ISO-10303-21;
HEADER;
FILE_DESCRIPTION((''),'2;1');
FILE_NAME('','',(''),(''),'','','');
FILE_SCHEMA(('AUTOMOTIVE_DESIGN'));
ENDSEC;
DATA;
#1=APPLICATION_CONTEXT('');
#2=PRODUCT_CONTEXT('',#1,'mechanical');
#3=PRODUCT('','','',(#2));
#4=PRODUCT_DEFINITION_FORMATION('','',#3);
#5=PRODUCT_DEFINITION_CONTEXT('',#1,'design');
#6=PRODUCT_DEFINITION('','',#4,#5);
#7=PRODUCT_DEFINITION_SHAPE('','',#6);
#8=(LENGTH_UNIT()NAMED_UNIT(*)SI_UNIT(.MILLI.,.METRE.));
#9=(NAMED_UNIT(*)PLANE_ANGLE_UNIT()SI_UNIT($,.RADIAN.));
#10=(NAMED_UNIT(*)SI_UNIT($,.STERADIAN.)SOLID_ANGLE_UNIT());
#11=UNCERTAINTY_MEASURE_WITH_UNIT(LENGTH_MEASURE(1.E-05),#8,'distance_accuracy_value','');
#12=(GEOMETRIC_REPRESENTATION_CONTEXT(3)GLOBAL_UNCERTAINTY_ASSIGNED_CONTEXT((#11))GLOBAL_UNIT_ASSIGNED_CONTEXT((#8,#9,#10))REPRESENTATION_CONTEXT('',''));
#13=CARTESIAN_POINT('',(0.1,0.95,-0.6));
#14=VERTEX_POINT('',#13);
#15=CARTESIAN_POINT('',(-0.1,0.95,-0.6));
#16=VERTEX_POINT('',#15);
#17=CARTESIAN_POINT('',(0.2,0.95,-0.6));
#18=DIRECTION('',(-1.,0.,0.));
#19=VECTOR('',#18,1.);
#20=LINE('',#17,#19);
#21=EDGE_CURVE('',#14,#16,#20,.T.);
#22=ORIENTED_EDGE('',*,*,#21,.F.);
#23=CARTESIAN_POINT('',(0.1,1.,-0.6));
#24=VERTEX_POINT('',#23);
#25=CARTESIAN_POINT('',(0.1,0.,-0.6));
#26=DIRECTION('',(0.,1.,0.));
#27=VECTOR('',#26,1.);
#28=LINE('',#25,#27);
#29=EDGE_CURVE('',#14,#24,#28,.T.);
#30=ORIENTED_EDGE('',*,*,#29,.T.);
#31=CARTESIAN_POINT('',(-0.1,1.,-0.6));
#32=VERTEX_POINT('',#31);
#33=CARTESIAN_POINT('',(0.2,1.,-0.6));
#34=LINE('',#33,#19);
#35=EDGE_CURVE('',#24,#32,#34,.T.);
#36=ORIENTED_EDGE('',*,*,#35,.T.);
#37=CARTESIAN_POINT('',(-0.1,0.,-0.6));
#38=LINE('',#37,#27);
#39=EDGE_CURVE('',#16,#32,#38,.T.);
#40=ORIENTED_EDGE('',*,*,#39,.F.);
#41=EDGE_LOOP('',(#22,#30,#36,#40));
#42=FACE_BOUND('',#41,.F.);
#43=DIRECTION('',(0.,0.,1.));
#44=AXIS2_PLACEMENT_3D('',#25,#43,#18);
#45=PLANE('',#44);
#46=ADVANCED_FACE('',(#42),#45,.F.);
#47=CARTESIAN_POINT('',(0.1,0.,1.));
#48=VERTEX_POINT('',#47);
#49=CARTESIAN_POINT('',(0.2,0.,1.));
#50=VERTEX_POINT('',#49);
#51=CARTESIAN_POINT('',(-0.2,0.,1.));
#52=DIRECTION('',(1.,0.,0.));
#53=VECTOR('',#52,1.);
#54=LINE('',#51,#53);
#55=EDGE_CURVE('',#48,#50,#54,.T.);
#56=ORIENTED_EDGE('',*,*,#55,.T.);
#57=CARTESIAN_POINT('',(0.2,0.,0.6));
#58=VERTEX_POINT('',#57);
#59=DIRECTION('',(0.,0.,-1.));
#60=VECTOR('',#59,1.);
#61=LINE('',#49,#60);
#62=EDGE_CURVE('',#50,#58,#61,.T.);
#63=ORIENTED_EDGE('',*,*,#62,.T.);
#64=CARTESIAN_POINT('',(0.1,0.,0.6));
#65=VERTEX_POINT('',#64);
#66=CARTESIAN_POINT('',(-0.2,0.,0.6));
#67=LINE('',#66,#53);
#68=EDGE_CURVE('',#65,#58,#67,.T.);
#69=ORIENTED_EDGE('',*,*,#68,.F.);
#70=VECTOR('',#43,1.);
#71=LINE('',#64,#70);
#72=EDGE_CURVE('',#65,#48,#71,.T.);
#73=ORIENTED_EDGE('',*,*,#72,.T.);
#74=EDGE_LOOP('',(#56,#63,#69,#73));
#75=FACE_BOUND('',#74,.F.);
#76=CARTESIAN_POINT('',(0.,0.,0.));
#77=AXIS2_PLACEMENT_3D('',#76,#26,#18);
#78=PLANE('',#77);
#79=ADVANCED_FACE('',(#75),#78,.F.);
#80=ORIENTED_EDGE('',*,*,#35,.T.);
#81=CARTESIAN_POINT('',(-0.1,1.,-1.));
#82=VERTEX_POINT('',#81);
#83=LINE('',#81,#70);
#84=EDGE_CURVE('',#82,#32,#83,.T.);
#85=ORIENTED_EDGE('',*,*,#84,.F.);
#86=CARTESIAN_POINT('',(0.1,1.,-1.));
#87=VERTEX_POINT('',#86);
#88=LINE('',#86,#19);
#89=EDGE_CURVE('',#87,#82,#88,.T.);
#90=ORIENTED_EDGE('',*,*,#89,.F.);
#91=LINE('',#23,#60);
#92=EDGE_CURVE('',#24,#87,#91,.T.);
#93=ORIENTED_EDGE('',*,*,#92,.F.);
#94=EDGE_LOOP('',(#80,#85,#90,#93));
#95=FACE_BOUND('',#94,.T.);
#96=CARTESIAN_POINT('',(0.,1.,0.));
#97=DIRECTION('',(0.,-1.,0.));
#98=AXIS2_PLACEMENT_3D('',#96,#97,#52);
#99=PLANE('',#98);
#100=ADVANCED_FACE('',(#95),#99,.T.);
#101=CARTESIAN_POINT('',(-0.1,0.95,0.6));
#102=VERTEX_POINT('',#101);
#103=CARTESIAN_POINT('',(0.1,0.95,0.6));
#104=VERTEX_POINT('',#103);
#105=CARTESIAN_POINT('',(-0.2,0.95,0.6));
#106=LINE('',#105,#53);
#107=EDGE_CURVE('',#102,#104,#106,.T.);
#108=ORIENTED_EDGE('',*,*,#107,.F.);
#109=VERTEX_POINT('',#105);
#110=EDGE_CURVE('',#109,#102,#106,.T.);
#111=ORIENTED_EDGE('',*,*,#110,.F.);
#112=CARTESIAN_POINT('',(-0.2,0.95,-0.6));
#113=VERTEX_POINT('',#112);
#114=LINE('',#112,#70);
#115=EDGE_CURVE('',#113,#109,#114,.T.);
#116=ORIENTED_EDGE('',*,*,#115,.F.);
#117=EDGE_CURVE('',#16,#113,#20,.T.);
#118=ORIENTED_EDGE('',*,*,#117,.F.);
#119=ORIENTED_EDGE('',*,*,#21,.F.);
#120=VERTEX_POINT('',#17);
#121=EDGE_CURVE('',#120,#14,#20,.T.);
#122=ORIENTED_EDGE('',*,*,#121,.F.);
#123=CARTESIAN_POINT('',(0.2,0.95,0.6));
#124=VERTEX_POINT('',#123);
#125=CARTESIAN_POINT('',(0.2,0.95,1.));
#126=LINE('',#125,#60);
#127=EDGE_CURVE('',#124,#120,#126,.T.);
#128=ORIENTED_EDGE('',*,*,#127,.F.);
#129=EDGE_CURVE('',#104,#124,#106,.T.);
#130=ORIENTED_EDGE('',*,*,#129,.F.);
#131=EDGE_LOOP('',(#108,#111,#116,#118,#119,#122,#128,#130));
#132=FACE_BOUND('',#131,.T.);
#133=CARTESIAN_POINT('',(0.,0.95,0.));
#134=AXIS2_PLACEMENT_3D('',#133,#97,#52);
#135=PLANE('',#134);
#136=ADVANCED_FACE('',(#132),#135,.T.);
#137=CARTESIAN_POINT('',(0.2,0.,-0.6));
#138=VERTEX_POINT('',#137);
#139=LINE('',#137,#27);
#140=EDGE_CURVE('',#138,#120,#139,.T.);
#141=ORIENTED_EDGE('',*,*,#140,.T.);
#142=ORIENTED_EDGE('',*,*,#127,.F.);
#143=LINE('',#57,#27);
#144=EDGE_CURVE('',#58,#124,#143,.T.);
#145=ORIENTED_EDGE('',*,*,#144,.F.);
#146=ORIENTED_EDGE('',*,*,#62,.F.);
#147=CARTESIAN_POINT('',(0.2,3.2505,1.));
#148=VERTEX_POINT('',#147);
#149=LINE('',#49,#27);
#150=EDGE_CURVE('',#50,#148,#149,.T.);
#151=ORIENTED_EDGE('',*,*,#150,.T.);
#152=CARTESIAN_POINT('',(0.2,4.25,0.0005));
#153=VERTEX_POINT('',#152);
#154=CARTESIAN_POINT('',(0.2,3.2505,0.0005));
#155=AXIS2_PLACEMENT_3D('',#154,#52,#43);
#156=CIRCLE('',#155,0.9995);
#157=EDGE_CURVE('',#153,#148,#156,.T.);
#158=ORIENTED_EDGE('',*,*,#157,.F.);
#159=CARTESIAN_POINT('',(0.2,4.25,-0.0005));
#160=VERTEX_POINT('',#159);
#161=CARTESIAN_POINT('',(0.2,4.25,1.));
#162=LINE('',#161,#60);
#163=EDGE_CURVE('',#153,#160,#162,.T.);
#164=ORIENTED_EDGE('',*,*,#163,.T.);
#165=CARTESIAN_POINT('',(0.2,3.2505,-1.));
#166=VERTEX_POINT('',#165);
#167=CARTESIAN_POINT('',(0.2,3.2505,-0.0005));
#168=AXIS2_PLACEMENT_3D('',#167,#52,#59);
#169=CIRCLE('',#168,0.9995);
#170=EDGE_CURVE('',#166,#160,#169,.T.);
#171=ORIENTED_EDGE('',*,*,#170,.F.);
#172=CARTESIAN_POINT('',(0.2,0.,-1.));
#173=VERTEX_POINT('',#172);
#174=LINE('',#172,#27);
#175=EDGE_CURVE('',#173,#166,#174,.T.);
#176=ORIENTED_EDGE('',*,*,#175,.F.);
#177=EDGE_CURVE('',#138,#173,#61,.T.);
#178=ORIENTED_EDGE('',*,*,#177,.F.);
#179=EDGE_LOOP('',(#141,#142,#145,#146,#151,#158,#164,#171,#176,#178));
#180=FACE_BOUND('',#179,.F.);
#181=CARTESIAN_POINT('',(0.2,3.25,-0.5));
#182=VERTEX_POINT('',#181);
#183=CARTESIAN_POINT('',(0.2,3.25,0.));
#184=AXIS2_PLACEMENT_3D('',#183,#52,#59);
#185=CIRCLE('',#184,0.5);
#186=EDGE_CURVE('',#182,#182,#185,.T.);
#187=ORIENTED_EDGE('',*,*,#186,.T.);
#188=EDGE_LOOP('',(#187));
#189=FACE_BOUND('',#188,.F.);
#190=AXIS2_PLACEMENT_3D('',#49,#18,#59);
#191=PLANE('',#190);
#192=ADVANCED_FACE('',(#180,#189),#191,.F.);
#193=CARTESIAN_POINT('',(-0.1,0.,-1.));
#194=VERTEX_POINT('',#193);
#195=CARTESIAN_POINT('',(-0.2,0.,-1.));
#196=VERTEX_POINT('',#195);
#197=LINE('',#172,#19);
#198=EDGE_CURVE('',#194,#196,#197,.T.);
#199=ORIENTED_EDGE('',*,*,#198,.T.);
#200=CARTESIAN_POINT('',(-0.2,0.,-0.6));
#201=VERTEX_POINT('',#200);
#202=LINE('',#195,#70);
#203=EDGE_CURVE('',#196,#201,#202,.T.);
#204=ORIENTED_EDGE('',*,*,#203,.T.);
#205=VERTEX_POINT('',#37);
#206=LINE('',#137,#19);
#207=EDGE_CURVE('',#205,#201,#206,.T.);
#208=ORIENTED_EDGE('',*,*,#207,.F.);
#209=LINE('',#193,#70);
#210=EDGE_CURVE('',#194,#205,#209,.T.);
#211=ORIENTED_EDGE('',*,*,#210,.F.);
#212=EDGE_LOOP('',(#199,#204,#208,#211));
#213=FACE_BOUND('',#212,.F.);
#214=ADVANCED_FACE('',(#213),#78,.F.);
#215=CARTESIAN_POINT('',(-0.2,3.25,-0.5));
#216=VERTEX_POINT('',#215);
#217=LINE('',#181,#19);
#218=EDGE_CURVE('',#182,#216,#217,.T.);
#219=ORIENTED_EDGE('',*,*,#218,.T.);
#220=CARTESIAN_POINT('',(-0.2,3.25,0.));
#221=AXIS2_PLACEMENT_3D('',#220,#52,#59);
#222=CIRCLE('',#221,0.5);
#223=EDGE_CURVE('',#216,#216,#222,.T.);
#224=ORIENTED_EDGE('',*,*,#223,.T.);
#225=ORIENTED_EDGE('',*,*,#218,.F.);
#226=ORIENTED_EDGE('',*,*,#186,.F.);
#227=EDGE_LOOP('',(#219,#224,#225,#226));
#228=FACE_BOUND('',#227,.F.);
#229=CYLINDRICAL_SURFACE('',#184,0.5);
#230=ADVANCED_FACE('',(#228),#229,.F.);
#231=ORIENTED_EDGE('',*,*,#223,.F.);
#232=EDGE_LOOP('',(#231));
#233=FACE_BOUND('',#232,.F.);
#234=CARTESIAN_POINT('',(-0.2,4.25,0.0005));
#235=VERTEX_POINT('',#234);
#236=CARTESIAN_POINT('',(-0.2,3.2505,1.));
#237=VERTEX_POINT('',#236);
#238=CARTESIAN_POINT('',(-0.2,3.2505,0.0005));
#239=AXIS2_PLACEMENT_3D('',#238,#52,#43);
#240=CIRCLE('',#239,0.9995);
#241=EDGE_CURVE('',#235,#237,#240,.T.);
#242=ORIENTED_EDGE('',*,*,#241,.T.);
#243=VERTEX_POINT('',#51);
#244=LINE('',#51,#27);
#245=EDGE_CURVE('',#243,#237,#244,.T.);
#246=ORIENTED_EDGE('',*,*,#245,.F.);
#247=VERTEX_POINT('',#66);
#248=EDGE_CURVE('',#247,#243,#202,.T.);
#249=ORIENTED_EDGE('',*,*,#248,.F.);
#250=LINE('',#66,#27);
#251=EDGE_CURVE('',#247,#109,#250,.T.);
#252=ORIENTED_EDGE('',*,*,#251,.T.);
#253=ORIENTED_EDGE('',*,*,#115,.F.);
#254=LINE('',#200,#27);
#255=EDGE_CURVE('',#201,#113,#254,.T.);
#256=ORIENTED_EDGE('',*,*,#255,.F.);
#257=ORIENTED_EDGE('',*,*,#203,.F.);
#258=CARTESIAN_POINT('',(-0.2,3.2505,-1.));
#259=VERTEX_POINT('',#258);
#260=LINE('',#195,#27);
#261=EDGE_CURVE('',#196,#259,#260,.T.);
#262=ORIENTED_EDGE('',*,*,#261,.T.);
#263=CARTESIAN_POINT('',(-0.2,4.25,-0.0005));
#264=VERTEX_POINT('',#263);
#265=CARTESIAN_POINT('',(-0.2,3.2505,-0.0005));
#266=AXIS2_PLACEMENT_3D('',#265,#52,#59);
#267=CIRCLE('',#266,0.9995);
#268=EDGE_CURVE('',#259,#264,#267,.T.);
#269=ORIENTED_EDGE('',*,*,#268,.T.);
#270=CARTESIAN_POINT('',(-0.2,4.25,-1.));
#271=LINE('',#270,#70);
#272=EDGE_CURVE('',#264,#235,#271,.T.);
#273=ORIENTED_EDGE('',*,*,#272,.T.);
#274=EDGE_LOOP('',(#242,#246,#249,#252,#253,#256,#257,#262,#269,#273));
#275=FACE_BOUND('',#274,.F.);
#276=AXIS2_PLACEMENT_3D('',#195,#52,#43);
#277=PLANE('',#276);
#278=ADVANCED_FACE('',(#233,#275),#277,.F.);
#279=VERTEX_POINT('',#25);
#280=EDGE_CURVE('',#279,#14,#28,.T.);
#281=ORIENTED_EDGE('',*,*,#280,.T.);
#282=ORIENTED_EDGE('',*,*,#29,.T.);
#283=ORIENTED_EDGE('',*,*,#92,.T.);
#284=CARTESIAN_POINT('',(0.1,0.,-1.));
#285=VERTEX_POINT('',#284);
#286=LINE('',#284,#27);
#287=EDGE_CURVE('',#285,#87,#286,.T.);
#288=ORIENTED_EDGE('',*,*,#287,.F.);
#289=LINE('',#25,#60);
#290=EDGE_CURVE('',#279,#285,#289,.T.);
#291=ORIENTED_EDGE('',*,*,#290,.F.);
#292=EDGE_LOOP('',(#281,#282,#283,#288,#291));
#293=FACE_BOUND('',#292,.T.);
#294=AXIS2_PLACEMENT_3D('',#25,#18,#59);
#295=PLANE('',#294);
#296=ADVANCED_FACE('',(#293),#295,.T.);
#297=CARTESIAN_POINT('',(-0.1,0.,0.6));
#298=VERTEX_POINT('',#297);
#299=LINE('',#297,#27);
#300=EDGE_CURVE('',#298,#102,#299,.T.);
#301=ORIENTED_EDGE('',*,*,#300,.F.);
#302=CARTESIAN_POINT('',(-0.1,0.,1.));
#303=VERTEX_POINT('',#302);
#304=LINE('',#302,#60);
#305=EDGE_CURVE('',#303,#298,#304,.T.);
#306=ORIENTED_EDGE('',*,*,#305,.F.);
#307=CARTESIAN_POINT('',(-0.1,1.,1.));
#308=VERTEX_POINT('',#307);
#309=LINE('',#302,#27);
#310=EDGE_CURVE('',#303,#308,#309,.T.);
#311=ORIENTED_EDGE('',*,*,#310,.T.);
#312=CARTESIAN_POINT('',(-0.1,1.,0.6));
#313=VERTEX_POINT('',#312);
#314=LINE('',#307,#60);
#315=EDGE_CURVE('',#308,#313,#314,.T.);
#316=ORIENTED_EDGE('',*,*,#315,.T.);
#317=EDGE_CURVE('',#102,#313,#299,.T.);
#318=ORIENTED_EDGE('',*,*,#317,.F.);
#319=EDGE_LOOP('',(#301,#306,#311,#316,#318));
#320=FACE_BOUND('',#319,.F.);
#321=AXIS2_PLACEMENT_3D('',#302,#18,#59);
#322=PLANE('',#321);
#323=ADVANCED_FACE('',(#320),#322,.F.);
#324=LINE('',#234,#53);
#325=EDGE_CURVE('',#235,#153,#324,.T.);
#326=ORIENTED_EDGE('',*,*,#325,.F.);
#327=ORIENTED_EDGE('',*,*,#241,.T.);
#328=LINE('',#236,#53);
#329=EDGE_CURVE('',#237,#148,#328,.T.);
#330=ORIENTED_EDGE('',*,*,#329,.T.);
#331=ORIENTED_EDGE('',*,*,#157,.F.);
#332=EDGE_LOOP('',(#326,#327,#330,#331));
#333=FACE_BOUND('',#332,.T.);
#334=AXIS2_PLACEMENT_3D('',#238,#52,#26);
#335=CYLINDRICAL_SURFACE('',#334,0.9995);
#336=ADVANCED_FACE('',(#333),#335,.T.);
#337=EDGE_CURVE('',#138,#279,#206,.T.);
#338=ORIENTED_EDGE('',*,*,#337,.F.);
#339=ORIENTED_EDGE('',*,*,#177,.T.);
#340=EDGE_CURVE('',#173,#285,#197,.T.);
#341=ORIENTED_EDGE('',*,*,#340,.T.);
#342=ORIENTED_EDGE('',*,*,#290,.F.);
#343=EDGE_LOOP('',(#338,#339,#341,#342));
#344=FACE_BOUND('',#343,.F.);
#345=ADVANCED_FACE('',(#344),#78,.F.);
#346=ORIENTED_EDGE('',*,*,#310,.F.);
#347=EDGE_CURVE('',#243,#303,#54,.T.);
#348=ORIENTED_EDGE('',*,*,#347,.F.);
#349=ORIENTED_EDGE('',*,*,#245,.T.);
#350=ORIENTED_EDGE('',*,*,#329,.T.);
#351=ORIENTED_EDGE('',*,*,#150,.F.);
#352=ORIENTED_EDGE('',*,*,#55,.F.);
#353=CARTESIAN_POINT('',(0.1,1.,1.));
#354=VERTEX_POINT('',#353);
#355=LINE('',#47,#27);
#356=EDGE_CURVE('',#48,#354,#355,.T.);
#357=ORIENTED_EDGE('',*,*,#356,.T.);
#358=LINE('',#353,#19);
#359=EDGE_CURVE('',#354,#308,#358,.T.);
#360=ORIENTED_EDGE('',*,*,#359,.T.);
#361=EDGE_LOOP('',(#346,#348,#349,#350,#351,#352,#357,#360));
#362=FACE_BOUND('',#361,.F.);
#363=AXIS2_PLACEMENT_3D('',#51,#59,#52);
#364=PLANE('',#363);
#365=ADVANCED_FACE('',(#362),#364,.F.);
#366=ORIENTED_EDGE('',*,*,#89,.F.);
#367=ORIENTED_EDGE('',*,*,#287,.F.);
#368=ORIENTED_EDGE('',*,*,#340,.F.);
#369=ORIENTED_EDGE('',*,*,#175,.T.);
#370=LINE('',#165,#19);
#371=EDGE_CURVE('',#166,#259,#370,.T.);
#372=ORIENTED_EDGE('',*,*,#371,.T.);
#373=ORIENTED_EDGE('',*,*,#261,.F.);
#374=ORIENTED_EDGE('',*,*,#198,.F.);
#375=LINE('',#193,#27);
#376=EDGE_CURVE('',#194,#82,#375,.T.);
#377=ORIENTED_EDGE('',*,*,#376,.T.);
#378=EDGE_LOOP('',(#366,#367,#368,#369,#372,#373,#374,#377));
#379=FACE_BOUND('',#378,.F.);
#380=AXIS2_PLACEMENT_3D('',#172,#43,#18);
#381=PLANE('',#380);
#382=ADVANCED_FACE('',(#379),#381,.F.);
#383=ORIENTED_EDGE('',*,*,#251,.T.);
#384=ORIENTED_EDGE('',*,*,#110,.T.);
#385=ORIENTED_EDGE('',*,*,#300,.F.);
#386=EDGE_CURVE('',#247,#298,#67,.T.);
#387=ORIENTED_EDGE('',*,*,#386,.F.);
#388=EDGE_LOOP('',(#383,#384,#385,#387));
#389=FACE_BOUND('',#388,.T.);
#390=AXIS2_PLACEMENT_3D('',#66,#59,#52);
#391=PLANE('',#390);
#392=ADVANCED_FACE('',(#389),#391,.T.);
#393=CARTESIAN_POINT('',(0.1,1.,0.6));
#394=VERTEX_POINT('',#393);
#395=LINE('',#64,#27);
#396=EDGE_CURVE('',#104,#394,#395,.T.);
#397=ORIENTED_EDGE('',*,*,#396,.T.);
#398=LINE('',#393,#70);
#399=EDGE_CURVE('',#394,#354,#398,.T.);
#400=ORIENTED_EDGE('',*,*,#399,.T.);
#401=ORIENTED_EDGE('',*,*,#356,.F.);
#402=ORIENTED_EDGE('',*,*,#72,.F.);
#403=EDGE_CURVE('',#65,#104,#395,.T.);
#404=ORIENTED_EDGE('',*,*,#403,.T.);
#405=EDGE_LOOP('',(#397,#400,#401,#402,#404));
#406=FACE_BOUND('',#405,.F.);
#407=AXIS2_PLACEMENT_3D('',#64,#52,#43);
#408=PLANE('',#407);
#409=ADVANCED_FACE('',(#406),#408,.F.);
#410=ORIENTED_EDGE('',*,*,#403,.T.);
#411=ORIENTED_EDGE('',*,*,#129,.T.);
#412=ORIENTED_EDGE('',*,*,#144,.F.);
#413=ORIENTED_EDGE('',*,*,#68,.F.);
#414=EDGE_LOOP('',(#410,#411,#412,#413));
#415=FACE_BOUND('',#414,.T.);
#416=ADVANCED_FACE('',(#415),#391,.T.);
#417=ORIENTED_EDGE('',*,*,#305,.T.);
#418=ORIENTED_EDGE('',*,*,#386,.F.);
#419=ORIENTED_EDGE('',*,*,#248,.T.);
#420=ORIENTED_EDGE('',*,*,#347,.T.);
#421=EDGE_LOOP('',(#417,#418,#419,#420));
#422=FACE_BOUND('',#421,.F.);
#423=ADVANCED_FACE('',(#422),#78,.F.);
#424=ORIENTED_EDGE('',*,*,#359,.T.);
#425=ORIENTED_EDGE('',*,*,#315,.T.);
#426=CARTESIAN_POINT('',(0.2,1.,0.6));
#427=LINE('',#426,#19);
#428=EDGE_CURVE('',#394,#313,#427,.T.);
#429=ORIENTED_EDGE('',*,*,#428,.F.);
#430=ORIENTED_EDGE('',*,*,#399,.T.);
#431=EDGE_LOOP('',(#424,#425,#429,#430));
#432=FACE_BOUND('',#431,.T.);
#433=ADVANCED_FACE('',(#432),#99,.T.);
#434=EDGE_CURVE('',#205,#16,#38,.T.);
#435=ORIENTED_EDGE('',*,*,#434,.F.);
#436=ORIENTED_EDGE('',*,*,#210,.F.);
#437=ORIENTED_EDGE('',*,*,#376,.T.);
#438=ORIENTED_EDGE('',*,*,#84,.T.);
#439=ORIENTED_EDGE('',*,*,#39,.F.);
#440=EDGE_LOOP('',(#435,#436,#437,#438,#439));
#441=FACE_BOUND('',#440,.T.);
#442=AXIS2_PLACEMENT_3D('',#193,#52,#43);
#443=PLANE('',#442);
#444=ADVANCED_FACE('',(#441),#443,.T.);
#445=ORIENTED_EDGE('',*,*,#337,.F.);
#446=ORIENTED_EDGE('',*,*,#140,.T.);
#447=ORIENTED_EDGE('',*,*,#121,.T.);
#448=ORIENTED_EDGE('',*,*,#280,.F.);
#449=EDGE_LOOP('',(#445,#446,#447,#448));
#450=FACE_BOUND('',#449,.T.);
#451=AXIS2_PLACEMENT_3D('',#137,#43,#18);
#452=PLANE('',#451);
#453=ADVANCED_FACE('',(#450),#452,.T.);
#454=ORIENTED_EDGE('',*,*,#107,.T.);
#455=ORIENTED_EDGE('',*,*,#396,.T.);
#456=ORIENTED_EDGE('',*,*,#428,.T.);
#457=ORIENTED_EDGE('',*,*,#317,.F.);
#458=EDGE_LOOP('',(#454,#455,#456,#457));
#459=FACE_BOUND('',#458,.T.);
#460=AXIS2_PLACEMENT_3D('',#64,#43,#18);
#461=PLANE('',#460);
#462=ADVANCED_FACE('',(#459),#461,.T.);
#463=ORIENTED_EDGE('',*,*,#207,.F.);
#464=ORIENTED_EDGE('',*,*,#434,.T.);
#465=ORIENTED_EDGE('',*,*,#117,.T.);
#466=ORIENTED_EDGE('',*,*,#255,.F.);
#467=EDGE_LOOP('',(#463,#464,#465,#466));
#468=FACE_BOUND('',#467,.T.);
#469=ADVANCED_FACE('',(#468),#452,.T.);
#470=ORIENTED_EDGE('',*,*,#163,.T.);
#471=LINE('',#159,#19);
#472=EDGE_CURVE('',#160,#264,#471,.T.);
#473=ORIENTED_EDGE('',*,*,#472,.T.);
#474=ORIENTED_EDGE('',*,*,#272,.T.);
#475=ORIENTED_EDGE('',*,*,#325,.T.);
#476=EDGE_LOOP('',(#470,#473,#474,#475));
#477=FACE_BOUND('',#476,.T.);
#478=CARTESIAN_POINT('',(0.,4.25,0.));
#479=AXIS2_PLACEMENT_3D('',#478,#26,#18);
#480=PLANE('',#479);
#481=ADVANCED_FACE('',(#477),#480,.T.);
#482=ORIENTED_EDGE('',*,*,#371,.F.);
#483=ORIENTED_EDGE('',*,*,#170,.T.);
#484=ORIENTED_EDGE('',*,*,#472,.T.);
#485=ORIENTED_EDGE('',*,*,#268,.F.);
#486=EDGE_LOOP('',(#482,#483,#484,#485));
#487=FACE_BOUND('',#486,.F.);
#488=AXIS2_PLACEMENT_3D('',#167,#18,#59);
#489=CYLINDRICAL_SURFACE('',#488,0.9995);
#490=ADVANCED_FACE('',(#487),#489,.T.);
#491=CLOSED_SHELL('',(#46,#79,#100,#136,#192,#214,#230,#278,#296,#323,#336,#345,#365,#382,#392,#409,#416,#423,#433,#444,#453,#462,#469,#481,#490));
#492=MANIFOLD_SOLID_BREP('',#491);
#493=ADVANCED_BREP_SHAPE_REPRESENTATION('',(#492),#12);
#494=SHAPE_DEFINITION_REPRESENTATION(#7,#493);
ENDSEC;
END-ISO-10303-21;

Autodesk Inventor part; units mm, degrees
ref_plane "YZ Plane" through (0, 0, 0) normal (1, 0, 0) x (0, 1, 0)
ref_plane "XZ Plane" through (0, 0, 0) normal (0, 1, 0) x (-1, 0, 0)
ref_plane "XY Plane" through (0, 0, 0) normal (0, 0, 1) x (1, 0, 0)
sketch "Esboço1" plane through (0, 0, 0) normal (0, 1, 0) x (-1, 0, 0)
  line L0 (0.2, 1) -> (-0.2, 1)
  line L1 (-0.2, 1) -> (-0.2, -1)
  line L2 (-0.2, -1) -> (0.2, -1)
  line L3 (0.2, -1) -> (0.2, 1)
  line L4 (0.2, 1) -> (-0.2, -1) construction
  line L5 (-0.2, 1) -> (0.2, -1) construction
  point P0 (0, 0)
  dimension "d0" = 0.4
  dimension "d1" = 2
extrude "Extrusão1" add sketch "Esboço1" along normal blind 4.25
sketch "Esboço2" plane through (0.2, 0, 1) normal (1, 0, 0) x (0, 0, -1)
  line L0 (0, 4.25) -> (2, 4.25) projected
  line L1 (1, 4.25) -> (1, 3.25)
  circle A0 centre (1, 3.25) radius 0.5
  point P0 (1, 0)
  dimension "d4" = 1
  dimension "d5" = 1
extrude "Extrusão2" cut sketch "Esboço2" against normal blind 4.25
fillet "Arredondamento1" radius 1 2 edges at (0, 4.25, 1) (0, 4.25, -1)
sketch "Esboço3" plane through (0, 0, 0) normal (0, -1, 0) x (1, 0, 0)
  line L0 (0.2, 1) -> (0.2, -1) projected
  line L1 (-0.2, 0.6) -> (0.2, 0.6)
  line L2 (0.2, 0.6) -> (0.2, -0.6)
  line L3 (0.2, -0.6) -> (-0.2, -0.6)
  line L4 (-0.2, -0.6) -> (-0.2, 0.6)
  line L5 (-0.2, 0.6) -> (0.2, -0.6) construction
  line L6 (0.2, 0.6) -> (-0.2, -0.6) construction
  point P0 (0, 0)
  dimension "d9" = 1.2
extrude "Extrusão3" cut sketch "Esboço3" against normal blind 0.95
sketch "Esboço4" plane through (0, 0, 0) normal (0, -1, 0) x (1, 0, 0)
  line L0 (0.2, -0.6) -> (-0.2, -0.6) projected
  line L1 (0.1, -1) -> (-0.1, -1)
  line L2 (-0.1, -1) -> (-0.1, -0.6)
  line L3 (-0.1, -0.6) -> (0.1, -0.6)
  line L4 (0.1, -0.6) -> (0.1, -1)
  line L5 (0.1, -1) -> (-0.1, -0.6) construction
  line L6 (-0.1, -1) -> (0.1, -0.6) construction
  line L7 (-0.2, -0.5) -> (-0.2, 0.5) projected
  line L8 (-0.2, 0) -> (0.2, 0)
  line L9 (0.2, 0.5) -> (0.2, -0.5) projected
  line L10 (0.2, 0.6) -> (-0.2, 0.6)
  line L11 (0.1, 1) -> (-0.1, 1)
  line L12 (-0.1, 1) -> (-0.1, 0.6)
  line L13 (-0.1, 0.6) -> (0.1, 0.6)
  line L14 (0.1, 0.6) -> (0.1, 1)
  line L15 (0.1, 1) -> (-0.1, 0.6) construction
  line L16 (-0.1, 1) -> (0.1, 0.6) construction
  line L17 (-0.2, -1) -> (-0.2, -0.6) projected
  point P0 (0, 0)
  point P1 (0, -0.8)
  point P2 (0, 0.8)
  point P3 (0.1, -0.6)
  point P4 (0.1, 0.6)
  dimension "d12" = 0.2
  dimension "d15" = 0.1
extrude "Extrusão4" cut sketch "Esboço4" against normal blind 1
properties part number "Terminais"
